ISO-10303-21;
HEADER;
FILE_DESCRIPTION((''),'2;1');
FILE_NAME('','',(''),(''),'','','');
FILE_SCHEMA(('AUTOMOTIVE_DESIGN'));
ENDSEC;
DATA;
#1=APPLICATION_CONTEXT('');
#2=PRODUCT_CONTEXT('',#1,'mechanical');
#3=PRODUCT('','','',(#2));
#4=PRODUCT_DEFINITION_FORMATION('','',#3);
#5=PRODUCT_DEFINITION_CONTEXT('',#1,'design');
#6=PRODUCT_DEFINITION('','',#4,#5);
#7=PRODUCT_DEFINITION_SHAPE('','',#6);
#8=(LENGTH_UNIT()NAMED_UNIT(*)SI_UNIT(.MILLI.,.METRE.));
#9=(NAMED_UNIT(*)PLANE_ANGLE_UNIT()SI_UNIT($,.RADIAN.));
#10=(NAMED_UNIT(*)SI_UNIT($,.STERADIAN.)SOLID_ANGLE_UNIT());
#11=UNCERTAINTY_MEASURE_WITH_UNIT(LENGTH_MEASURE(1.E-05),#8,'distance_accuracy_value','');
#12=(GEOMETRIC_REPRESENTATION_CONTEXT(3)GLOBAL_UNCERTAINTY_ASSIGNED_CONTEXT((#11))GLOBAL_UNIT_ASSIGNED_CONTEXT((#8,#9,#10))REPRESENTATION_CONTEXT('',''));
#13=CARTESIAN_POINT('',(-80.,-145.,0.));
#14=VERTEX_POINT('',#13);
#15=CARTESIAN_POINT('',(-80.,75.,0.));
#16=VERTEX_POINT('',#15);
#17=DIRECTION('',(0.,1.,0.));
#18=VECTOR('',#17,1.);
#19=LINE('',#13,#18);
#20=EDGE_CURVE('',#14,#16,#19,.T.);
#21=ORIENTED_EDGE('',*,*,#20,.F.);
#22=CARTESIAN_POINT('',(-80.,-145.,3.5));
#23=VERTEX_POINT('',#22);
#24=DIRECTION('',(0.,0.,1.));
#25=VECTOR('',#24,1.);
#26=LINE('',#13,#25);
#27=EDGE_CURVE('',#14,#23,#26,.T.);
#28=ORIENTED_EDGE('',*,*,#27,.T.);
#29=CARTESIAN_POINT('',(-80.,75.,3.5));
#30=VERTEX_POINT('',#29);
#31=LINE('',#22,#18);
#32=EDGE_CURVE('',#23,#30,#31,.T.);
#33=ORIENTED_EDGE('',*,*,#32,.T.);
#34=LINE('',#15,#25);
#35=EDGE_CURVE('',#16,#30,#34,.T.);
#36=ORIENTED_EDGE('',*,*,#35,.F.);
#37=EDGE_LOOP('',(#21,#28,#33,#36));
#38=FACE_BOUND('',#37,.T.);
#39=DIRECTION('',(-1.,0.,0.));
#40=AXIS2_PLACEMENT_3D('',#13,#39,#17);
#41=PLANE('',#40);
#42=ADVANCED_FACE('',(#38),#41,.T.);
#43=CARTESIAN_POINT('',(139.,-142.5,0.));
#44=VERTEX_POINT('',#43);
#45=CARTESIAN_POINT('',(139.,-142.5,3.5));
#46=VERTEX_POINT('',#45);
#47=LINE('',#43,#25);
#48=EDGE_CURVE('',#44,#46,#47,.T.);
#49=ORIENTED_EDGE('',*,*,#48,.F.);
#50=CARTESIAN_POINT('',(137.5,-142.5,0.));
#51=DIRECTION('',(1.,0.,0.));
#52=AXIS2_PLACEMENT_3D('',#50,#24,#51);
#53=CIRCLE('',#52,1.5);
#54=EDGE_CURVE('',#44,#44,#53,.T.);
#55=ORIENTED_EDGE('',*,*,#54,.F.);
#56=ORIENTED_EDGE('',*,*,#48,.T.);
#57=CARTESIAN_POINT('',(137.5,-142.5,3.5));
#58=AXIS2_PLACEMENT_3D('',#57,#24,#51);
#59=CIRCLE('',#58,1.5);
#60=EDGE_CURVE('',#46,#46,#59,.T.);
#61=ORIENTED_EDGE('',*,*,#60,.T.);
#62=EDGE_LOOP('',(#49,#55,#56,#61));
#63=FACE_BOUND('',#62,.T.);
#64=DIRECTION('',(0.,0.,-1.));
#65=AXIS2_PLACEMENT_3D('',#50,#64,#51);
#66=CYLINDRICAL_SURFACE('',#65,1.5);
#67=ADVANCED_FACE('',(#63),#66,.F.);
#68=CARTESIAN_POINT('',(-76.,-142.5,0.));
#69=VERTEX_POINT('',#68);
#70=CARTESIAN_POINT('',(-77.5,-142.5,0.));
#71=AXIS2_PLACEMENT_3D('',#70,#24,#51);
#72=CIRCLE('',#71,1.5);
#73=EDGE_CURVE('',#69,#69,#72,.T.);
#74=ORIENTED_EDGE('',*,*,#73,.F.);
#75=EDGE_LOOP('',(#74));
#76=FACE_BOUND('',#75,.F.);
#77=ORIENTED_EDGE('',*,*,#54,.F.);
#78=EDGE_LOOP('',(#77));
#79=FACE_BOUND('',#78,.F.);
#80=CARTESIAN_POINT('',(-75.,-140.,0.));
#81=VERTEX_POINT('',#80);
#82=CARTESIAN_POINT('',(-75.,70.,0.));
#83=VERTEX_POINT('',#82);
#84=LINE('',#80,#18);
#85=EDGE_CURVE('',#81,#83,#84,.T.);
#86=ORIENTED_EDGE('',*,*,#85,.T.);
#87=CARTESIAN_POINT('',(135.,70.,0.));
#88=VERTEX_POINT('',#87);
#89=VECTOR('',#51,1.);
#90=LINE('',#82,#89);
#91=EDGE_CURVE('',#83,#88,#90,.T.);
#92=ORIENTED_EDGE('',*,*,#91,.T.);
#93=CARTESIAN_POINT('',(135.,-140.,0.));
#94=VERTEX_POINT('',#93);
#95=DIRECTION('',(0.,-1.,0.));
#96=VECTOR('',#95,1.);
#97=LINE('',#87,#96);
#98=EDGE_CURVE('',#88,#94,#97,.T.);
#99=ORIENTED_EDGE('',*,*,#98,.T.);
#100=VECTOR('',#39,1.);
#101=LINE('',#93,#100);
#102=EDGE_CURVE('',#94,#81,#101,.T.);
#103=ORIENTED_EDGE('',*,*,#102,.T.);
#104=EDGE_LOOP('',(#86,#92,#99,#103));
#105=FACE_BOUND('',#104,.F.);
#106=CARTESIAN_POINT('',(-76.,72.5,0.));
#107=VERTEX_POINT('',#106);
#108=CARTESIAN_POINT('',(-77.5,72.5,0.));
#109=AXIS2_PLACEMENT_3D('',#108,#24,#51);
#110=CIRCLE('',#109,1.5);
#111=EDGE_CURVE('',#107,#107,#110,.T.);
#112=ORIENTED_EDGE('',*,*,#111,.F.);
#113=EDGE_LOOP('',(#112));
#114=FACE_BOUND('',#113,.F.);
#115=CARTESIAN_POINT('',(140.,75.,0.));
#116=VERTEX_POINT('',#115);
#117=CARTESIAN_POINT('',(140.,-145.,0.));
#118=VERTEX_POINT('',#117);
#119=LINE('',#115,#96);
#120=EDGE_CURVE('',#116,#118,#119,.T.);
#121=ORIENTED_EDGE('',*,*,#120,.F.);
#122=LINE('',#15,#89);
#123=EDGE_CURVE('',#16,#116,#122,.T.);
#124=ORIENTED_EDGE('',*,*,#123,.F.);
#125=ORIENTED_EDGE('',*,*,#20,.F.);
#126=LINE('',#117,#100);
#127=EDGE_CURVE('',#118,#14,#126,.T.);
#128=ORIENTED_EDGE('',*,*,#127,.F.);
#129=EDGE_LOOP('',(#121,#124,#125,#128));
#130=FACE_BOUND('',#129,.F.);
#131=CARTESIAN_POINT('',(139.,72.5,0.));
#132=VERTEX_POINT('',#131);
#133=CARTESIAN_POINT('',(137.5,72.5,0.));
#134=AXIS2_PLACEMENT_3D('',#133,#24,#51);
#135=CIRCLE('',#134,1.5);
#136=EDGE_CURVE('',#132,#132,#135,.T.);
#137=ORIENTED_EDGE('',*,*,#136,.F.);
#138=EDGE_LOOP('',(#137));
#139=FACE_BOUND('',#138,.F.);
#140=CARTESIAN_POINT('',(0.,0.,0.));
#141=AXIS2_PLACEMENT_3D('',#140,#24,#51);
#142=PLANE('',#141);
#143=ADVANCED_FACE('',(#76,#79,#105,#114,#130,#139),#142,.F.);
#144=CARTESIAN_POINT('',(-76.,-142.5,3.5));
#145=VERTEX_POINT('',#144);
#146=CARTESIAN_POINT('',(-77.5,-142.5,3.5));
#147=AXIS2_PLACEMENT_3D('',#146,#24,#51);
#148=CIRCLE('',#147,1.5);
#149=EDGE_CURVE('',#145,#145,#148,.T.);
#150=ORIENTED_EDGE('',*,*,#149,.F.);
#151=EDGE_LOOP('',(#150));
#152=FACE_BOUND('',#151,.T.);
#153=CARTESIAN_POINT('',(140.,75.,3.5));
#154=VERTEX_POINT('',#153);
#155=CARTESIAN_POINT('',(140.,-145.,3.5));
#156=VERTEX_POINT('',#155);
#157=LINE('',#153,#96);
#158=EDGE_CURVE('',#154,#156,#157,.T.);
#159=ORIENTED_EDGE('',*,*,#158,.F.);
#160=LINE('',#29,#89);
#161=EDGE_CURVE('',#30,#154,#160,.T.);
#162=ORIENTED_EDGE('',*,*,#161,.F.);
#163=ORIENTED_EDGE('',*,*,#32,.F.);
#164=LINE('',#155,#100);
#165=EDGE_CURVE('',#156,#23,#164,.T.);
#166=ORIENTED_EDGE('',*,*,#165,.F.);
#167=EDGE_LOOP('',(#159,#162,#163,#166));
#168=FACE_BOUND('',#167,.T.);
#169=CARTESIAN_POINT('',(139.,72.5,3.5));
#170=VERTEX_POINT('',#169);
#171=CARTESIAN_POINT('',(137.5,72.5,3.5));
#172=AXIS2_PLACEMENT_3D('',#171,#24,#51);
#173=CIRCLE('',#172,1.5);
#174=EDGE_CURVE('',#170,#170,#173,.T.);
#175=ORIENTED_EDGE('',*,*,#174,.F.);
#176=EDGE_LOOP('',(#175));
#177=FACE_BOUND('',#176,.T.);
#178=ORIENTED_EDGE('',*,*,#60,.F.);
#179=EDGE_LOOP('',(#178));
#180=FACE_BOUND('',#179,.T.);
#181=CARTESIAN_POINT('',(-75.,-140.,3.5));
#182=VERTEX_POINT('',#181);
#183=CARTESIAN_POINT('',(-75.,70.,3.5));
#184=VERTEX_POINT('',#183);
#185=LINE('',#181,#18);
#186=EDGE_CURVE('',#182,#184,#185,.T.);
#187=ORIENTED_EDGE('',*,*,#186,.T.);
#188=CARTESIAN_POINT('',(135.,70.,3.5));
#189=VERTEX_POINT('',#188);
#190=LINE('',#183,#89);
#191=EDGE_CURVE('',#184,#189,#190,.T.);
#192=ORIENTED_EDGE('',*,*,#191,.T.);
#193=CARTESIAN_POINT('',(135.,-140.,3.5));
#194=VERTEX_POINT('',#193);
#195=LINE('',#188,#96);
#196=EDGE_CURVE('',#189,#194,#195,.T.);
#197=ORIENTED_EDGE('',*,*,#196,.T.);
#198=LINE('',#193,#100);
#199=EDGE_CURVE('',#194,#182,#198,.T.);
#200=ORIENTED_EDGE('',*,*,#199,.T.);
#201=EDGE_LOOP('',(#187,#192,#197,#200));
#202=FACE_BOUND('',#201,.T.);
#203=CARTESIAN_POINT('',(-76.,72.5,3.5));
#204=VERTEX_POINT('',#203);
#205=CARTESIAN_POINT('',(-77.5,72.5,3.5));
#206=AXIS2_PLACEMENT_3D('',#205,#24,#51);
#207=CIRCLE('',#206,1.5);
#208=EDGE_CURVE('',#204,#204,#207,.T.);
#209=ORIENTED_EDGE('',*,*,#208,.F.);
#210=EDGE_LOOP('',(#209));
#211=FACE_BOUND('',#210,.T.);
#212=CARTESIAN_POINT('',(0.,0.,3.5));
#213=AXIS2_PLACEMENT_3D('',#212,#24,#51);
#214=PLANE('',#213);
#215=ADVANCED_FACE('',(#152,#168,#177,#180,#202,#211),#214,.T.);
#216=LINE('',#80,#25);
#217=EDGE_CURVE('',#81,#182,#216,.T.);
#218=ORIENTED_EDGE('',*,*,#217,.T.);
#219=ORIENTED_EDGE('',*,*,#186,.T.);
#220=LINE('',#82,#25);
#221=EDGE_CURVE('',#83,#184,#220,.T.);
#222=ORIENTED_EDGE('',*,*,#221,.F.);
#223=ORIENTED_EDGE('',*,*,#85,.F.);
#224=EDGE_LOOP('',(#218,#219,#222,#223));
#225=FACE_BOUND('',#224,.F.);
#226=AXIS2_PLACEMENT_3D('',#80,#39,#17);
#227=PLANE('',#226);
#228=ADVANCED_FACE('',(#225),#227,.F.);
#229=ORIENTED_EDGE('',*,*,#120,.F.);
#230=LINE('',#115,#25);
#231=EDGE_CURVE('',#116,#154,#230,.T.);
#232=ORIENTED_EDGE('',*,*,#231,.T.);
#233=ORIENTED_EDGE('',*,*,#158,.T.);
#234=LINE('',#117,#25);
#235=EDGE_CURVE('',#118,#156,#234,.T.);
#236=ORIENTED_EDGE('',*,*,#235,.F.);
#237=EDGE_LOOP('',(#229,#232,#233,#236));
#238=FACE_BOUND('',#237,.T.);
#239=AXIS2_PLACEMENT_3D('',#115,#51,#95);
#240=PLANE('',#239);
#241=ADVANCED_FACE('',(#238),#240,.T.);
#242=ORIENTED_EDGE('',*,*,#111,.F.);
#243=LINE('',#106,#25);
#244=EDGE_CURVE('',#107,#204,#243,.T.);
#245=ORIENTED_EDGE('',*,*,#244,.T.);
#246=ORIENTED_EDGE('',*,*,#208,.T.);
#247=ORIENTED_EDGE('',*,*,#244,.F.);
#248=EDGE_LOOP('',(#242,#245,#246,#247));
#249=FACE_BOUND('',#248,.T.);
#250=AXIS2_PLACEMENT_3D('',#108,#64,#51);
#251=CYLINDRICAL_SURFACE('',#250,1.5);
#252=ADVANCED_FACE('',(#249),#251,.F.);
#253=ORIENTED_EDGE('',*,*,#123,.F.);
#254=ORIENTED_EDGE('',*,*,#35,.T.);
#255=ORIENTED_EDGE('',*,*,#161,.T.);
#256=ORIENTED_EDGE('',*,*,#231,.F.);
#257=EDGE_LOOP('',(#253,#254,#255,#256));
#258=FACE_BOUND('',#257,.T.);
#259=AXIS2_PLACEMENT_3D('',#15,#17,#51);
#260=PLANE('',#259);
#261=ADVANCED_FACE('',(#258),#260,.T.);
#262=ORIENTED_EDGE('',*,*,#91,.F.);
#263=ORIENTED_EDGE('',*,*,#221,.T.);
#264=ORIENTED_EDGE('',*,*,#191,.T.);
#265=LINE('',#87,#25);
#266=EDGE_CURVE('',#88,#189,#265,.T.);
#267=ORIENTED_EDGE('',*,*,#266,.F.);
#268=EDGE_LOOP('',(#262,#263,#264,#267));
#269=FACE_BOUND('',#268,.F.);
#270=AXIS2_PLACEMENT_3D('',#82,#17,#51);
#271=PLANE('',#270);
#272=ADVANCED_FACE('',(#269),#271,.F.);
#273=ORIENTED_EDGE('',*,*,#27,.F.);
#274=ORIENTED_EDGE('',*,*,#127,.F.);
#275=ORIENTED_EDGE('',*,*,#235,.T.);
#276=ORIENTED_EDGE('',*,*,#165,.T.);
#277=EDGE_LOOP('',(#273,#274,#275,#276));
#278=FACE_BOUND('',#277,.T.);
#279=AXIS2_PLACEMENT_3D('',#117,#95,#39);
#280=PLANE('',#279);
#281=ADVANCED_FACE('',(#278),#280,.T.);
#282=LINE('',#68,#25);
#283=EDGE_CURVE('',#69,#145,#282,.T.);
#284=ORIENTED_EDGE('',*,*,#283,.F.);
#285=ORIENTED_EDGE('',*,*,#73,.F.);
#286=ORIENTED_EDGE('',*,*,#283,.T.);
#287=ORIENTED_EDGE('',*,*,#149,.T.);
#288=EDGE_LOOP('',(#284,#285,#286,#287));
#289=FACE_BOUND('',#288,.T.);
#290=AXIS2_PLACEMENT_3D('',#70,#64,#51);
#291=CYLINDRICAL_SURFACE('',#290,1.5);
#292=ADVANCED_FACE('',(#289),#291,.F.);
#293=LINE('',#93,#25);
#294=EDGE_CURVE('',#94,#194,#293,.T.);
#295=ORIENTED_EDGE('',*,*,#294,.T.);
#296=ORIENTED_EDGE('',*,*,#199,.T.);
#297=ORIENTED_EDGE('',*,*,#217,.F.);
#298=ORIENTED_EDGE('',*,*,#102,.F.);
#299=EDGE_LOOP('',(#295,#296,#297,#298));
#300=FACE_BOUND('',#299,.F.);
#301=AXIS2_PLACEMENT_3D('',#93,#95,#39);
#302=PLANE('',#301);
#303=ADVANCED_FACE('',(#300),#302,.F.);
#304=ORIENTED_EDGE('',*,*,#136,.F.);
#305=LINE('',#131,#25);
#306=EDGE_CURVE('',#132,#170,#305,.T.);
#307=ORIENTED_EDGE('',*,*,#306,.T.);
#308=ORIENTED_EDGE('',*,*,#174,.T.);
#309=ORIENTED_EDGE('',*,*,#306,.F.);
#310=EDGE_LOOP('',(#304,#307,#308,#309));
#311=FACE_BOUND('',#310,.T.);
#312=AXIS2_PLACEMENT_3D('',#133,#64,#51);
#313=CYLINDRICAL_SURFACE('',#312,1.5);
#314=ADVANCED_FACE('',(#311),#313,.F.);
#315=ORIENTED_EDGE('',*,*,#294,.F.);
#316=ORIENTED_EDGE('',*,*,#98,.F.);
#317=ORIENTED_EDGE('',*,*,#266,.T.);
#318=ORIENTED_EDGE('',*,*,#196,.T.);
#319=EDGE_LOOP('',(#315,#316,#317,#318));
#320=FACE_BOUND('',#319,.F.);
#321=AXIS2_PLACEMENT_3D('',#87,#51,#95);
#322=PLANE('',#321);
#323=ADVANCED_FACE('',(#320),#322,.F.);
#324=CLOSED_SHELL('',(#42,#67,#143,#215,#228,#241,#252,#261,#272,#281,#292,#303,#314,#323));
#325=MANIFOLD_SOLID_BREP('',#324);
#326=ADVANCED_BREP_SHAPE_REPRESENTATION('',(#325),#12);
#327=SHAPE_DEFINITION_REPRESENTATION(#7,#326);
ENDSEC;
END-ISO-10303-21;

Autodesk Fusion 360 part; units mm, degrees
sketch "Sketch1" plane through (0, 0, 0) normal (0, 0, 1) x (1, 0, 0)
  line L0 (-80, 75) -> (140, 75)
  line L1 (140, 75) -> (140, -145)
  line L2 (140, -145) -> (-80, -145)
  line L3 (-80, -145) -> (-80, 75)
  line L4 (-75, 70) -> (135, 70)
  line L5 (135, 70) -> (135, -140)
  line L6 (135, -140) -> (-75, -140)
  line L7 (-75, -140) -> (-75, 70)
  circle A0 centre (137.5, 72.5) radius 1.5
  circle A1 centre (137.5, -142.5) radius 1.5
  circle A2 centre (-77.5, -142.5) radius 1.5
  circle A3 centre (-77.5, 72.5) radius 1.5
  dimension "d1" = 220
  dimension "d2" = 220
  dimension "d3" = 5
  dimension "d4" = 5
  dimension "d5" = 5
  dimension "d6" = 5
  dimension "d7" = 3
  dimension "d8" = 3
  dimension "d9" = 3
  dimension "d10" = 3
  dimension "d11" = 2.5
  dimension "d12" = 2.5
  dimension "d13" = 2.5
  dimension "d14" = 2.5
  dimension "d15" = 2.5
  dimension "d16" = 2.5
  dimension "d17" = 2.5
  dimension "d18" = 2.5
  dimension "d19" = 210
  dimension "d20" = 210
extrude "Extrude1" add sketch "Sketch1" along normal blind 3.5
